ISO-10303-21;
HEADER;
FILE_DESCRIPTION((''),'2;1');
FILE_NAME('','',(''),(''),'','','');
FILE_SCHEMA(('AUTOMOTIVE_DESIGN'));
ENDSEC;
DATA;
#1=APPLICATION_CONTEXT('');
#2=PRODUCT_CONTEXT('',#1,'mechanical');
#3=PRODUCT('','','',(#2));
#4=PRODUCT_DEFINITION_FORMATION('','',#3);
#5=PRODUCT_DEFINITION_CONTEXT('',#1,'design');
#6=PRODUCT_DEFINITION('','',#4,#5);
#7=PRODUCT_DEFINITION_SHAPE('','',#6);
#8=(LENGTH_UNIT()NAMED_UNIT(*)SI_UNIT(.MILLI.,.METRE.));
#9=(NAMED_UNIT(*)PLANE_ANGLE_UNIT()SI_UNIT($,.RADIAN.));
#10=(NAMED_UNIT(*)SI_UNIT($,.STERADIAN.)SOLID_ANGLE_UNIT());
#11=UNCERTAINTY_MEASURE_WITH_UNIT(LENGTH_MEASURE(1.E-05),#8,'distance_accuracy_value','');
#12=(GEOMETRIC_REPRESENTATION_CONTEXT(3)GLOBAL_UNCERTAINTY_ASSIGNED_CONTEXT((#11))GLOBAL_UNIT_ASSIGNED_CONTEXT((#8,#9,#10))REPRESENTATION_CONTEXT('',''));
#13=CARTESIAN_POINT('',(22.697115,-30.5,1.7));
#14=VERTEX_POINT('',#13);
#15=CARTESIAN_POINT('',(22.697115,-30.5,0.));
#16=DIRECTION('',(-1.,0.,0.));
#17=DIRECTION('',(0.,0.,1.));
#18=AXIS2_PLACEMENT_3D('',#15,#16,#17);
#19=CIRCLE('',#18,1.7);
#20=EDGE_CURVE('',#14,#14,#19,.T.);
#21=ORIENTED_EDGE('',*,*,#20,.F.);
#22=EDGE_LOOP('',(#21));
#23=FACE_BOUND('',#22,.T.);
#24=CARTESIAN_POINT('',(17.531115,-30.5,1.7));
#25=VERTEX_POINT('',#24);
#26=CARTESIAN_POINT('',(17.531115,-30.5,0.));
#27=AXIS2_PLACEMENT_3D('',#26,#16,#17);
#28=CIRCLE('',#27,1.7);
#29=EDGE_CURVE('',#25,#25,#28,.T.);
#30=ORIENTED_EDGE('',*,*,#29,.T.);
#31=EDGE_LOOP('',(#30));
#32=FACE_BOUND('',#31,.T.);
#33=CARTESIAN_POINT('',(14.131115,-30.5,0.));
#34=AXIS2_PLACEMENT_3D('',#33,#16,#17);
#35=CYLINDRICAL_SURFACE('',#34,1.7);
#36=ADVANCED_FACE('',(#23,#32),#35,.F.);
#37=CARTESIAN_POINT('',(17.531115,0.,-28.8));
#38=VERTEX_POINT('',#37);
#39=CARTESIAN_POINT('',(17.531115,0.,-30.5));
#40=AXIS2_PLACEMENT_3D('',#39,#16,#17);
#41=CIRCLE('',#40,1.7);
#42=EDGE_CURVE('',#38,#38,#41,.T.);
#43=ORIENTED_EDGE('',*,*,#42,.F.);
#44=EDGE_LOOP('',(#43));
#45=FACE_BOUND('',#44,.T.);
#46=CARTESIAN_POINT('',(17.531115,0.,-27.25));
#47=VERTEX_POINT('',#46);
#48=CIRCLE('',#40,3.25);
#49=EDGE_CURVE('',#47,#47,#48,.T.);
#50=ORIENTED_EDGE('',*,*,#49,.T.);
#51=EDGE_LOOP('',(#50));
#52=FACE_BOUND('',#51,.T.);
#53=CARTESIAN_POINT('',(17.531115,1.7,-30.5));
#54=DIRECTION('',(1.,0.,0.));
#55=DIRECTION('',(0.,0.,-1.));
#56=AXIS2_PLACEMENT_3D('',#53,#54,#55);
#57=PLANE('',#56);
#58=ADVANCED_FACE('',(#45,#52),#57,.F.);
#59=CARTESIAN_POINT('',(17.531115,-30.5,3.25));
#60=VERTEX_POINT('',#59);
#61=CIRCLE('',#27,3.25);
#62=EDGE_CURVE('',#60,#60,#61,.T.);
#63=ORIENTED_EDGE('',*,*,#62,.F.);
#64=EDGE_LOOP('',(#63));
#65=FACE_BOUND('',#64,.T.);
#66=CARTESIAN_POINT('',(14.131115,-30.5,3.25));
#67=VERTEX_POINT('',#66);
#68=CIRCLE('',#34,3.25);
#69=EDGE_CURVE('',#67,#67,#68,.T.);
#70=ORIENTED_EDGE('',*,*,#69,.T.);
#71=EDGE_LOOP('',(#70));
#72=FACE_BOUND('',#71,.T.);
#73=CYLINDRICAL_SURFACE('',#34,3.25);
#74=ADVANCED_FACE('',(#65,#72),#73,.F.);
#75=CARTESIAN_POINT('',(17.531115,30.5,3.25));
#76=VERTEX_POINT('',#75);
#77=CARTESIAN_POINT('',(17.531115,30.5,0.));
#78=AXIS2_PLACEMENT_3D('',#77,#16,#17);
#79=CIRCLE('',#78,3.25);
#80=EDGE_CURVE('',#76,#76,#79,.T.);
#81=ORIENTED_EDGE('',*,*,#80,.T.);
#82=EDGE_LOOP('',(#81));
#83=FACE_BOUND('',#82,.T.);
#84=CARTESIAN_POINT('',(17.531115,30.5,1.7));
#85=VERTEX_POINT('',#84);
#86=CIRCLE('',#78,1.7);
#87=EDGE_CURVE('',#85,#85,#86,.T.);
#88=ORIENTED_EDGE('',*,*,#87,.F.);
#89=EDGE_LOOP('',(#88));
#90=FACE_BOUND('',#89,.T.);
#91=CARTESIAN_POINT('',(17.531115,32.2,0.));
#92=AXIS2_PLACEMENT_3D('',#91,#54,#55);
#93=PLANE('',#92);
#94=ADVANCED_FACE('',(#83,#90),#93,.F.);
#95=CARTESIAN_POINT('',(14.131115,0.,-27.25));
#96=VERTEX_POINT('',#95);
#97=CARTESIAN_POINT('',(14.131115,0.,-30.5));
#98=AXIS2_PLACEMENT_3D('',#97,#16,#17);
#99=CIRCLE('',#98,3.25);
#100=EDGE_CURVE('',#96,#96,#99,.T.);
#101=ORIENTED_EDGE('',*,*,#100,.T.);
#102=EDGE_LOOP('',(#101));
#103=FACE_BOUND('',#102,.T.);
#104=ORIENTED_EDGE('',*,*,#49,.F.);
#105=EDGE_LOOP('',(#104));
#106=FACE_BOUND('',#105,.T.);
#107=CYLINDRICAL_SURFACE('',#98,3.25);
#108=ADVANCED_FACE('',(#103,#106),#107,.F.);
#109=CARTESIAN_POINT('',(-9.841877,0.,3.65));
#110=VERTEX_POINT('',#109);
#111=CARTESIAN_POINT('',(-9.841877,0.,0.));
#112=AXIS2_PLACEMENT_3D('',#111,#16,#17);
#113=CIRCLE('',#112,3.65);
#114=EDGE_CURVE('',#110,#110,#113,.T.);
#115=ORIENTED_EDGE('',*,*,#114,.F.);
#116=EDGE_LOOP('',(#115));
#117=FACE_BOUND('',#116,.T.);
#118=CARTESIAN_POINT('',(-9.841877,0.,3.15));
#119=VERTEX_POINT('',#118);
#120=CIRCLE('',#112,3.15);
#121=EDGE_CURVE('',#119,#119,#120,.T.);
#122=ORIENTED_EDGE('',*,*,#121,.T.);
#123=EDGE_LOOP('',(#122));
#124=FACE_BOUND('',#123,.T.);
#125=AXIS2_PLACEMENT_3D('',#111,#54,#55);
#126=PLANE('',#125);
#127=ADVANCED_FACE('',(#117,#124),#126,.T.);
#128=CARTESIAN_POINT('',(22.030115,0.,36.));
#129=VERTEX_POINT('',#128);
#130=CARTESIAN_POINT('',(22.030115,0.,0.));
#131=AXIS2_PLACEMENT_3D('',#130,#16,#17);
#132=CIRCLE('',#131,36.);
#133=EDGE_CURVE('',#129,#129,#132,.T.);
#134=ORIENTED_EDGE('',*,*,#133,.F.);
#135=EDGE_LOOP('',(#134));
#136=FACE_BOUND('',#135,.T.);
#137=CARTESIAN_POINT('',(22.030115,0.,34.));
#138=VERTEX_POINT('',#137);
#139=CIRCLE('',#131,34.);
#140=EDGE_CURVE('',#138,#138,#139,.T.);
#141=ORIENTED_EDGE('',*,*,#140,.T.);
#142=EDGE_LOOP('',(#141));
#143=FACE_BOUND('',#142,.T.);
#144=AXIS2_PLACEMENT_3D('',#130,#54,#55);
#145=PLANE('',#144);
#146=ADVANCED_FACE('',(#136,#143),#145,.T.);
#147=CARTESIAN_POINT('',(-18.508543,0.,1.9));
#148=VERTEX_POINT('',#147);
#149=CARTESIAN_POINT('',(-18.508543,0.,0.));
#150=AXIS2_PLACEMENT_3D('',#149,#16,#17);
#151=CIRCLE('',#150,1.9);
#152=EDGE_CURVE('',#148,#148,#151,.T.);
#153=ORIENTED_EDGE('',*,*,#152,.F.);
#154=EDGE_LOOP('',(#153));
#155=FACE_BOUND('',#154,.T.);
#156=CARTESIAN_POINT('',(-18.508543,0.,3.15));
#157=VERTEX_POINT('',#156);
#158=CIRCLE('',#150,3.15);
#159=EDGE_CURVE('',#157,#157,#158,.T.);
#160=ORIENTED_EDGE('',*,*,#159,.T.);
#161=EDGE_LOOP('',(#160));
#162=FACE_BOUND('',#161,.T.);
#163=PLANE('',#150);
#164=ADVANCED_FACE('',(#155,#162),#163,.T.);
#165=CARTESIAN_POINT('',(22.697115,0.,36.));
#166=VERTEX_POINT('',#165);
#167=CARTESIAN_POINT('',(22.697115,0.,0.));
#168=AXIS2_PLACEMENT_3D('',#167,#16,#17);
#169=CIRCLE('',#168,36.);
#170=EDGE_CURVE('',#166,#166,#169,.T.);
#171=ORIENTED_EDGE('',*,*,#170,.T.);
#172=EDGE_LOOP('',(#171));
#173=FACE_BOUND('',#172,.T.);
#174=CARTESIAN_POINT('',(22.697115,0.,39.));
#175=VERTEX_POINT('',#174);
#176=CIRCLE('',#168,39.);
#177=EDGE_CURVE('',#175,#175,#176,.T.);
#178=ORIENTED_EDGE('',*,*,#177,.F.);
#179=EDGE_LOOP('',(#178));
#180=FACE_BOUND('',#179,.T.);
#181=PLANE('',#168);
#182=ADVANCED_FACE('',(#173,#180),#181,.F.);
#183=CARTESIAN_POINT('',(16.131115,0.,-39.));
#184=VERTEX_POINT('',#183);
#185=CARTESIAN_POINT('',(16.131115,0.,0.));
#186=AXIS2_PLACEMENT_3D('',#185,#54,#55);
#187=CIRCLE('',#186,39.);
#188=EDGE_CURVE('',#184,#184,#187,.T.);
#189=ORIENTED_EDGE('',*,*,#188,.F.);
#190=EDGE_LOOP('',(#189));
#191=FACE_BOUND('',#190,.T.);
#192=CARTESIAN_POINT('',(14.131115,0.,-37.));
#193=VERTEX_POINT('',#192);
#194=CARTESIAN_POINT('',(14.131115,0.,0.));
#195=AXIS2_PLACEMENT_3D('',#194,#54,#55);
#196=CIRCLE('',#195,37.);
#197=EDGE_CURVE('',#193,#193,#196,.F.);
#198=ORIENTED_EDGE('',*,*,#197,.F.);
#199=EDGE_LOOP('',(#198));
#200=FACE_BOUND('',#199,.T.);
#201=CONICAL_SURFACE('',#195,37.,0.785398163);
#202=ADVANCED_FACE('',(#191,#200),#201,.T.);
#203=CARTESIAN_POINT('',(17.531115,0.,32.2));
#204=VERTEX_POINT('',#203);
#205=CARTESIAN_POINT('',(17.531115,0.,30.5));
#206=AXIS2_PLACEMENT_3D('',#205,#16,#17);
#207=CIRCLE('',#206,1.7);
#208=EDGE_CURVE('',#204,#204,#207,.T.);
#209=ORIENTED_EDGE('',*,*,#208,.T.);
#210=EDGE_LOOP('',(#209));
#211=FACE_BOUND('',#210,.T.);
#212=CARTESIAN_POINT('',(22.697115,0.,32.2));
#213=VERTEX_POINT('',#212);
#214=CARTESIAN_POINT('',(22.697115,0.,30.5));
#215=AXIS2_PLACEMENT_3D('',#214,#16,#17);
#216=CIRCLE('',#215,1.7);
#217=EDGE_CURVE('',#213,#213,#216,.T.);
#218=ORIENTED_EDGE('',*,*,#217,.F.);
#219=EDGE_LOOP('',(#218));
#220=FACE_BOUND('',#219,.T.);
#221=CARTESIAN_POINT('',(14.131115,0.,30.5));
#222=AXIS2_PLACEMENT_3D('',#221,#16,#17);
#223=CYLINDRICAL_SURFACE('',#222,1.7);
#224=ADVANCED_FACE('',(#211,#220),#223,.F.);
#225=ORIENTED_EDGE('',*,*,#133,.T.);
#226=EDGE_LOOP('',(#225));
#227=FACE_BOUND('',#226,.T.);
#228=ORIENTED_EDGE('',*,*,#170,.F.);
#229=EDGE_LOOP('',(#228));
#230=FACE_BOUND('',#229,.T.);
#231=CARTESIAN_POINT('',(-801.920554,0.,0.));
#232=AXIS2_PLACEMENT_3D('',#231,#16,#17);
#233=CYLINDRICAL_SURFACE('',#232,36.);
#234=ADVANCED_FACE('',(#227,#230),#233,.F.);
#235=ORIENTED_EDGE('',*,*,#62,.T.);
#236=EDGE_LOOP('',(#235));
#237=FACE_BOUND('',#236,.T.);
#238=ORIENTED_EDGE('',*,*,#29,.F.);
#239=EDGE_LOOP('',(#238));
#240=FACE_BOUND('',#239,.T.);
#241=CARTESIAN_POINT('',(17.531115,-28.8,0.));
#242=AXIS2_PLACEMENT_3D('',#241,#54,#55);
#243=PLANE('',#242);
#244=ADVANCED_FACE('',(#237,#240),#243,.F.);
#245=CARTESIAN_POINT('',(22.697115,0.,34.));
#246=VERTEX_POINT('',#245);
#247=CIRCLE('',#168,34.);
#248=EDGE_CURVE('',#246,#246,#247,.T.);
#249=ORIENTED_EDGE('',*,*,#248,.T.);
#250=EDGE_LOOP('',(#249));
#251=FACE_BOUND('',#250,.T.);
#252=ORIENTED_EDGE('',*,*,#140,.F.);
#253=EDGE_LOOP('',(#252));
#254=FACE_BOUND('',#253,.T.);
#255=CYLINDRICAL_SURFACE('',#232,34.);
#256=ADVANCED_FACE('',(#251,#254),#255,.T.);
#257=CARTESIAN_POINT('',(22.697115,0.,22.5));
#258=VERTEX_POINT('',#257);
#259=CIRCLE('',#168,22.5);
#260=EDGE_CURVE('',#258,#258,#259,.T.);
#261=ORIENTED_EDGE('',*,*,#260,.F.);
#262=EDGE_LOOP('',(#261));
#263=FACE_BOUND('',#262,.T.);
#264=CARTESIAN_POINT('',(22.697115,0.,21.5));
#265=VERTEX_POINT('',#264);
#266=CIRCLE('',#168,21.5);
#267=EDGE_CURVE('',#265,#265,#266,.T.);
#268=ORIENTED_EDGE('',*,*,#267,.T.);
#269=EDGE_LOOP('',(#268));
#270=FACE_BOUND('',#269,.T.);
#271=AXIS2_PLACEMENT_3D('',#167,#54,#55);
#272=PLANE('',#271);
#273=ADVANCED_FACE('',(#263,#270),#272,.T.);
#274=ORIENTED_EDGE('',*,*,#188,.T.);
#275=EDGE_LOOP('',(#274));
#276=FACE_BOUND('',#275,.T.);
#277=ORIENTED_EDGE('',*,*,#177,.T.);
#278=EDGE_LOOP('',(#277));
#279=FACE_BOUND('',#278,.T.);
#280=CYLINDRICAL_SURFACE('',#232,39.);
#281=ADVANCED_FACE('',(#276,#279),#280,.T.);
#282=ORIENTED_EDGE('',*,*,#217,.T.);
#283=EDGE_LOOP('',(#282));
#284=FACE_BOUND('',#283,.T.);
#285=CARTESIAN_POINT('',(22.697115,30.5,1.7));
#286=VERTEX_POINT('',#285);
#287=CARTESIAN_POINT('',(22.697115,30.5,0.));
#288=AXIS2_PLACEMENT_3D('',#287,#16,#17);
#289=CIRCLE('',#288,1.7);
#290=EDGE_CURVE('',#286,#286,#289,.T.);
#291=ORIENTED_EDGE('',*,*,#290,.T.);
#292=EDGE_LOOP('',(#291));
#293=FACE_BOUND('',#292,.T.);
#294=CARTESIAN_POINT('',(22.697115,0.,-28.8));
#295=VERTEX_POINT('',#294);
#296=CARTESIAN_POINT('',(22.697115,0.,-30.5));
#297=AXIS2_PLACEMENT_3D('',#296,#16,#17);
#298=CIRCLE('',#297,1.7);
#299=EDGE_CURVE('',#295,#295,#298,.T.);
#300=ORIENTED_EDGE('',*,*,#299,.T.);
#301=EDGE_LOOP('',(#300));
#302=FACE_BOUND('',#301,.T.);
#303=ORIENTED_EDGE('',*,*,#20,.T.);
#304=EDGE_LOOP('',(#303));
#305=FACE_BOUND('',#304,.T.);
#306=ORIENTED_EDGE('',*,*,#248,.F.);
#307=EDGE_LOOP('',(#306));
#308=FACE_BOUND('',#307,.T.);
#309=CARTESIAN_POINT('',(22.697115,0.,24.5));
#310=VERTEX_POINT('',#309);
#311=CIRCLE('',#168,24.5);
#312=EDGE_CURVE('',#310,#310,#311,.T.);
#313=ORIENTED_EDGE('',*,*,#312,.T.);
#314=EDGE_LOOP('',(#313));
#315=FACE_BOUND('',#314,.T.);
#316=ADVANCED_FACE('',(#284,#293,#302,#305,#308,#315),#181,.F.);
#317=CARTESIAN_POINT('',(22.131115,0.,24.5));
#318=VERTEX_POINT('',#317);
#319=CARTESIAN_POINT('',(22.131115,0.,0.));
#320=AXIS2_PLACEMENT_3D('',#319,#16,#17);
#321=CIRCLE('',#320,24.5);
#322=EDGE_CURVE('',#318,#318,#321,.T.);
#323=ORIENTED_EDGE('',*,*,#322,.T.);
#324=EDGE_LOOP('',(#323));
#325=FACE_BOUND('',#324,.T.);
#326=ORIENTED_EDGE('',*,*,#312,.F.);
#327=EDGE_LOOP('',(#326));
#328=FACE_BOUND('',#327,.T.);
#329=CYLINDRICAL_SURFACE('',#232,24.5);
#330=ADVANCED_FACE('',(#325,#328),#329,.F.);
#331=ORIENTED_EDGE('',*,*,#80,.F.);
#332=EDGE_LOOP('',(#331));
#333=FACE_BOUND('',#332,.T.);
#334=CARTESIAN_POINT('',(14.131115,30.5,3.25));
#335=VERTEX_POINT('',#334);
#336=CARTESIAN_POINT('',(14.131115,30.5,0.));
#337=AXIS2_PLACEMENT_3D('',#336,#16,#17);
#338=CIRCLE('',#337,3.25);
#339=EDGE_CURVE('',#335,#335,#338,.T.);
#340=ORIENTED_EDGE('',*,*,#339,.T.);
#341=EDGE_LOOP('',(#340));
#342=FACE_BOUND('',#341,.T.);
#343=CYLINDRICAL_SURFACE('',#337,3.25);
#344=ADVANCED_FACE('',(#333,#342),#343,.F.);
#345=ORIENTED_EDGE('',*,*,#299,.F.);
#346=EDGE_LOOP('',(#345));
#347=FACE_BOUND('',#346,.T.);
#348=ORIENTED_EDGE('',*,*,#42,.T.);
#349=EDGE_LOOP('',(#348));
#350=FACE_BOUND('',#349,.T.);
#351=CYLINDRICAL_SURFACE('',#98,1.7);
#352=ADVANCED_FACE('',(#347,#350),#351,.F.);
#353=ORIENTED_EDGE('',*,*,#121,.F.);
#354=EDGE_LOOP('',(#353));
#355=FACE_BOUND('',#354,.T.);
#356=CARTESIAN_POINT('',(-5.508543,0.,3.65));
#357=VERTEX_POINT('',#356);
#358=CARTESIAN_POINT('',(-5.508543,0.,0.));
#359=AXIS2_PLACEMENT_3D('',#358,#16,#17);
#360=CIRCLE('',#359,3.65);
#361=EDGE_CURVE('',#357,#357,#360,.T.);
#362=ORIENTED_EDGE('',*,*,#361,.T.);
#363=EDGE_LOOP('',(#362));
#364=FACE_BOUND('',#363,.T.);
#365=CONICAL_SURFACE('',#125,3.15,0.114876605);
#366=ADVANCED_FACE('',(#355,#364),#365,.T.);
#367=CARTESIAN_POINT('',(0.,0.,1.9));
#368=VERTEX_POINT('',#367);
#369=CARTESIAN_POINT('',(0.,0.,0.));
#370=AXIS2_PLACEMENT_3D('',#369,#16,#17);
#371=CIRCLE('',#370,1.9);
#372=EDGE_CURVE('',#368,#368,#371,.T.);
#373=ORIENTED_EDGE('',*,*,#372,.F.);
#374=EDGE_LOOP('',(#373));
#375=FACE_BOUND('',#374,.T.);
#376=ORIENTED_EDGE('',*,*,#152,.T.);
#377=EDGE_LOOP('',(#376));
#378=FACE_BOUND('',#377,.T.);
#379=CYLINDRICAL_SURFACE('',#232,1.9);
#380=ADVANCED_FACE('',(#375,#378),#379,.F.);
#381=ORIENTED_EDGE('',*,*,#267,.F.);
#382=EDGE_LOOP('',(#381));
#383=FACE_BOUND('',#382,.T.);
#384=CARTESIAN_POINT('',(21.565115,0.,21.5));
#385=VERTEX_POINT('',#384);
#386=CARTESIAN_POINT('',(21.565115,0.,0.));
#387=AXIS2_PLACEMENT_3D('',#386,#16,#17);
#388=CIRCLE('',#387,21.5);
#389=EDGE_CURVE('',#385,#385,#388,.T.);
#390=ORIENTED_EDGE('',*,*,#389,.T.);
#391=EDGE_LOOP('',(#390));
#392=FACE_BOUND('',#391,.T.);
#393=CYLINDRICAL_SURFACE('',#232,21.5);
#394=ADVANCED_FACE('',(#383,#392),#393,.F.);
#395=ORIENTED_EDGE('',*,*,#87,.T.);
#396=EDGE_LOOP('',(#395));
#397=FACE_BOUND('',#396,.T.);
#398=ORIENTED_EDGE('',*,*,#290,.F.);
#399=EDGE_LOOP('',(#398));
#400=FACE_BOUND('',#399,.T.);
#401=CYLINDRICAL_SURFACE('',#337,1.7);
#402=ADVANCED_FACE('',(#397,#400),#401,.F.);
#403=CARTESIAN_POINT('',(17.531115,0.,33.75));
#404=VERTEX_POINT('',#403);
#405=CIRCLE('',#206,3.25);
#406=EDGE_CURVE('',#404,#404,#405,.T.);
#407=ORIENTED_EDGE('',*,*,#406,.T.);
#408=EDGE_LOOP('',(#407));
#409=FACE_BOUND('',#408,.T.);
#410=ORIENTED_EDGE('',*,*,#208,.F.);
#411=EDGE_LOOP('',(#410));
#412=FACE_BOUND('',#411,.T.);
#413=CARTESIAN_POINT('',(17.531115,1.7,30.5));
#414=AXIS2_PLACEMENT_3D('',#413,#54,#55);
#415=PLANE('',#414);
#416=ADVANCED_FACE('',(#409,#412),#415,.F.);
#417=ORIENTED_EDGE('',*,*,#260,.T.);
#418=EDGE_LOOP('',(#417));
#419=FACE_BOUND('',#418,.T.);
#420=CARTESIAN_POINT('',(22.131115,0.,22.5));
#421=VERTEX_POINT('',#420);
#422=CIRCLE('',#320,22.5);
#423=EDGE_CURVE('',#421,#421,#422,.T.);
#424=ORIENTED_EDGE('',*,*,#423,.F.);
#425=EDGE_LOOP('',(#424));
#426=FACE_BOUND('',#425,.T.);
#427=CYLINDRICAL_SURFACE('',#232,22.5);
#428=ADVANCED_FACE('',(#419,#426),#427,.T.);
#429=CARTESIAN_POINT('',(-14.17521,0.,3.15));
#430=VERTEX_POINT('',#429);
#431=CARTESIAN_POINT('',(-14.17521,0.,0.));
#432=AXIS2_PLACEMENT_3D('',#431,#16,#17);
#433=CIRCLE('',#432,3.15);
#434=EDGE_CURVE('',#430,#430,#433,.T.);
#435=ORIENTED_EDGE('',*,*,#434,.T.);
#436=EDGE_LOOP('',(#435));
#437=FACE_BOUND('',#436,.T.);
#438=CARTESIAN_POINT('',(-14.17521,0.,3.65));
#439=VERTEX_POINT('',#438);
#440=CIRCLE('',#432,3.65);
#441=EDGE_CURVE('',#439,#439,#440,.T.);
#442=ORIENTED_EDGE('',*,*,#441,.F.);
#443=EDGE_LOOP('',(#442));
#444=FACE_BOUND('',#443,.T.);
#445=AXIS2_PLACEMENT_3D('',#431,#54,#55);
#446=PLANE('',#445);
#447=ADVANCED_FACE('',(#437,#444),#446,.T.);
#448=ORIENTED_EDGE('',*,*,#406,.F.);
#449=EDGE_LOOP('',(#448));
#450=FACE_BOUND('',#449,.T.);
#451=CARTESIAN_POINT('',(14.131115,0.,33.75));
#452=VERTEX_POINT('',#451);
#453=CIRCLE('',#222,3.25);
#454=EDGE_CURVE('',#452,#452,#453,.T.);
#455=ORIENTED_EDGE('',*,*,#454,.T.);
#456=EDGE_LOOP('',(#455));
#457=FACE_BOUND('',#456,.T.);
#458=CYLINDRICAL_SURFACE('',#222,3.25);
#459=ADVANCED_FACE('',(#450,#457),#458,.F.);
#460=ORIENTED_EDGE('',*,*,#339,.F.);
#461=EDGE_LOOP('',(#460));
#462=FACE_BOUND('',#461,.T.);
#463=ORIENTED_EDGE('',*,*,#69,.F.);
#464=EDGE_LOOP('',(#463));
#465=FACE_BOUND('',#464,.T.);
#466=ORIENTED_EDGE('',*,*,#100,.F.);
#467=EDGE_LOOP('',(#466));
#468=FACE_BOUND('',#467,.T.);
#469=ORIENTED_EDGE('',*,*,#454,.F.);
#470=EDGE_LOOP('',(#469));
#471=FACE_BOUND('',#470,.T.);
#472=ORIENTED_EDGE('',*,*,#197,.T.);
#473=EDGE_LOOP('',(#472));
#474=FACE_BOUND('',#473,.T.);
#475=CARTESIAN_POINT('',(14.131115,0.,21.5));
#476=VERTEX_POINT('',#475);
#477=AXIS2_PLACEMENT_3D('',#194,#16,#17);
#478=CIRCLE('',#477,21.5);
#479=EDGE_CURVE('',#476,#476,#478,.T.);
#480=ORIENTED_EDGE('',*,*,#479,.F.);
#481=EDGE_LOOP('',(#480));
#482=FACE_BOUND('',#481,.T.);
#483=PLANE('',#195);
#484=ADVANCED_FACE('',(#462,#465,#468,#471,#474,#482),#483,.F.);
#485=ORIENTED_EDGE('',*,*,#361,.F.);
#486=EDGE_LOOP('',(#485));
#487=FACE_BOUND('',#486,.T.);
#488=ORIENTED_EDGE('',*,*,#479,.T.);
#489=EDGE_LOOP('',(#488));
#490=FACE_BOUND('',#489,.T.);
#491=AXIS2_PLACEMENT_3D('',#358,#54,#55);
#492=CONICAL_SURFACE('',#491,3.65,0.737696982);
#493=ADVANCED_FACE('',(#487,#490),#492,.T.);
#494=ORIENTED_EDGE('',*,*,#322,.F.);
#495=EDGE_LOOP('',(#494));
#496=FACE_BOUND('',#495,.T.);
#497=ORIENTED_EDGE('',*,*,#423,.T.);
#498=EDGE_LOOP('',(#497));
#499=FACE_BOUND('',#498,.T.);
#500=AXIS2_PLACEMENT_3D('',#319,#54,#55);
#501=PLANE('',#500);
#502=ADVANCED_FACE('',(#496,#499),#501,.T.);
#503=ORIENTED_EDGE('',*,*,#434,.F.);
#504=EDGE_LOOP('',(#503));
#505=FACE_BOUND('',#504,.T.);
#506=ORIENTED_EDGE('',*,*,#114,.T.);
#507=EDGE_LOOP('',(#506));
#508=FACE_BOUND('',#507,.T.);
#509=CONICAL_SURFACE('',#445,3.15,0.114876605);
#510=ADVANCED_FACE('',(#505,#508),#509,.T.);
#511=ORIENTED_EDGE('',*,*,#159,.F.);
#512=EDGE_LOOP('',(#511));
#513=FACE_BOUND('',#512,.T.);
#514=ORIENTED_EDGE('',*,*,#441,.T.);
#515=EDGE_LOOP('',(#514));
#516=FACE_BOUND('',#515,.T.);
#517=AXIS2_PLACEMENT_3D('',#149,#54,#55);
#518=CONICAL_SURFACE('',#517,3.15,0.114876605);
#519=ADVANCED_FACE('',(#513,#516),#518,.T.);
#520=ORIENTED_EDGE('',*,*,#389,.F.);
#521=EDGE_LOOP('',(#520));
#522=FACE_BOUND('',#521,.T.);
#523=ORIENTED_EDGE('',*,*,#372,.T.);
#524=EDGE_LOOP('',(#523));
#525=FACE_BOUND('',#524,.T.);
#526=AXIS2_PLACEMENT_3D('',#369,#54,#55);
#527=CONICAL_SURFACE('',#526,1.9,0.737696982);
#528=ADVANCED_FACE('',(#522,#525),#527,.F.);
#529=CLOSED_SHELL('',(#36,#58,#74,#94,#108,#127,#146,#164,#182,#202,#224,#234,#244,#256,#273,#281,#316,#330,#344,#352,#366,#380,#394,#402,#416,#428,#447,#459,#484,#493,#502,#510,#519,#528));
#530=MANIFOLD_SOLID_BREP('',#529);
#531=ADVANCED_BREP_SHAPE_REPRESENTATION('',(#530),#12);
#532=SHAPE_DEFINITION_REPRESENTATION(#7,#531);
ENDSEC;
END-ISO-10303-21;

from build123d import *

# Parameters (mm, degrees)
SKETCH1_W                                           = 0.566
SKETCH1_H                                           = 1
CBORE_FOR_M3_HEX_SOCKET_HEAD_CAP_SCREW2_D           = 3.4
CBORE_FOR_M3_HEX_SOCKET_HEAD_CAP_SCREW2_DEPTH       = 8.566
CBORE_FOR_M3_HEX_SOCKET_HEAD_CAP_SCREW2_CBORE_D     = 6.5
CBORE_FOR_M3_HEX_SOCKET_HEAD_CAP_SCREW2_CBORE_DEPTH = 3.4
CBORE_FOR_M3_HEX_SOCKET_HEAD_CAP_SCREW2_TIP         = 1.021463052
CHAMFER1_SIZE                                       = 2


with BuildPart() as part:
    # Sketch1 → Revolve17 (revolve)
    with BuildSketch(Plane.XY):
        Polygon((-14.175209939, 3.15), (-14.175209939, 3.65), (-18.508543272, 3.15), (-18.508543272, 1.9), (0, 1.9), (21.56511535, 21.5), (22.13111535, 21.5), (22.13111535, 22.5), (22.13111535, 24.5), (22.69711535, 24.5), (22.69711535, 34), (22.03011535, 34), (22.03011535, 36), (22.69711535, 36), (22.69711535, 39), (14.13111535, 39), (14.13111535, 21.5), (-5.508543272, 3.65), (-9.841876606, 3.15), (-9.841876606, 3.65), align=None)
        with Locations((22.41411535, 22)):
            Rectangle(SKETCH1_W, SKETCH1_H)
    revolve(axis=Axis((-801.920554309, 0, 0), (1, 0, 0)))

    # CBORE for M3 Hex Socket Head Cap Screw2
    with Locations(Plane.ZY.offset(-14.13111535)):
        with Locations((0, -30.5), (0, 30.5), (30.5, 0), (-30.5, 0)):
            CounterBoreHole(CBORE_FOR_M3_HEX_SOCKET_HEAD_CAP_SCREW2_D / 2, CBORE_FOR_M3_HEX_SOCKET_HEAD_CAP_SCREW2_CBORE_D / 2, CBORE_FOR_M3_HEX_SOCKET_HEAD_CAP_SCREW2_CBORE_DEPTH, depth=CBORE_FOR_M3_HEX_SOCKET_HEAD_CAP_SCREW2_DEPTH)
            with Locations((0, 0, -(CBORE_FOR_M3_HEX_SOCKET_HEAD_CAP_SCREW2_DEPTH + CBORE_FOR_M3_HEX_SOCKET_HEAD_CAP_SCREW2_TIP / 2))):  # 118° drill point
                Cone(0, CBORE_FOR_M3_HEX_SOCKET_HEAD_CAP_SCREW2_D / 2, CBORE_FOR_M3_HEX_SOCKET_HEAD_CAP_SCREW2_TIP, mode=Mode.SUBTRACT)

    # Chamfer1
    chamfer1_edges = [part.edges().sort_by_distance(p)[0] for p in [
        (14.13111535, -39, 0),
    ]]
    chamfer(chamfer1_edges, length=CHAMFER1_SIZE)


solid = part.part
